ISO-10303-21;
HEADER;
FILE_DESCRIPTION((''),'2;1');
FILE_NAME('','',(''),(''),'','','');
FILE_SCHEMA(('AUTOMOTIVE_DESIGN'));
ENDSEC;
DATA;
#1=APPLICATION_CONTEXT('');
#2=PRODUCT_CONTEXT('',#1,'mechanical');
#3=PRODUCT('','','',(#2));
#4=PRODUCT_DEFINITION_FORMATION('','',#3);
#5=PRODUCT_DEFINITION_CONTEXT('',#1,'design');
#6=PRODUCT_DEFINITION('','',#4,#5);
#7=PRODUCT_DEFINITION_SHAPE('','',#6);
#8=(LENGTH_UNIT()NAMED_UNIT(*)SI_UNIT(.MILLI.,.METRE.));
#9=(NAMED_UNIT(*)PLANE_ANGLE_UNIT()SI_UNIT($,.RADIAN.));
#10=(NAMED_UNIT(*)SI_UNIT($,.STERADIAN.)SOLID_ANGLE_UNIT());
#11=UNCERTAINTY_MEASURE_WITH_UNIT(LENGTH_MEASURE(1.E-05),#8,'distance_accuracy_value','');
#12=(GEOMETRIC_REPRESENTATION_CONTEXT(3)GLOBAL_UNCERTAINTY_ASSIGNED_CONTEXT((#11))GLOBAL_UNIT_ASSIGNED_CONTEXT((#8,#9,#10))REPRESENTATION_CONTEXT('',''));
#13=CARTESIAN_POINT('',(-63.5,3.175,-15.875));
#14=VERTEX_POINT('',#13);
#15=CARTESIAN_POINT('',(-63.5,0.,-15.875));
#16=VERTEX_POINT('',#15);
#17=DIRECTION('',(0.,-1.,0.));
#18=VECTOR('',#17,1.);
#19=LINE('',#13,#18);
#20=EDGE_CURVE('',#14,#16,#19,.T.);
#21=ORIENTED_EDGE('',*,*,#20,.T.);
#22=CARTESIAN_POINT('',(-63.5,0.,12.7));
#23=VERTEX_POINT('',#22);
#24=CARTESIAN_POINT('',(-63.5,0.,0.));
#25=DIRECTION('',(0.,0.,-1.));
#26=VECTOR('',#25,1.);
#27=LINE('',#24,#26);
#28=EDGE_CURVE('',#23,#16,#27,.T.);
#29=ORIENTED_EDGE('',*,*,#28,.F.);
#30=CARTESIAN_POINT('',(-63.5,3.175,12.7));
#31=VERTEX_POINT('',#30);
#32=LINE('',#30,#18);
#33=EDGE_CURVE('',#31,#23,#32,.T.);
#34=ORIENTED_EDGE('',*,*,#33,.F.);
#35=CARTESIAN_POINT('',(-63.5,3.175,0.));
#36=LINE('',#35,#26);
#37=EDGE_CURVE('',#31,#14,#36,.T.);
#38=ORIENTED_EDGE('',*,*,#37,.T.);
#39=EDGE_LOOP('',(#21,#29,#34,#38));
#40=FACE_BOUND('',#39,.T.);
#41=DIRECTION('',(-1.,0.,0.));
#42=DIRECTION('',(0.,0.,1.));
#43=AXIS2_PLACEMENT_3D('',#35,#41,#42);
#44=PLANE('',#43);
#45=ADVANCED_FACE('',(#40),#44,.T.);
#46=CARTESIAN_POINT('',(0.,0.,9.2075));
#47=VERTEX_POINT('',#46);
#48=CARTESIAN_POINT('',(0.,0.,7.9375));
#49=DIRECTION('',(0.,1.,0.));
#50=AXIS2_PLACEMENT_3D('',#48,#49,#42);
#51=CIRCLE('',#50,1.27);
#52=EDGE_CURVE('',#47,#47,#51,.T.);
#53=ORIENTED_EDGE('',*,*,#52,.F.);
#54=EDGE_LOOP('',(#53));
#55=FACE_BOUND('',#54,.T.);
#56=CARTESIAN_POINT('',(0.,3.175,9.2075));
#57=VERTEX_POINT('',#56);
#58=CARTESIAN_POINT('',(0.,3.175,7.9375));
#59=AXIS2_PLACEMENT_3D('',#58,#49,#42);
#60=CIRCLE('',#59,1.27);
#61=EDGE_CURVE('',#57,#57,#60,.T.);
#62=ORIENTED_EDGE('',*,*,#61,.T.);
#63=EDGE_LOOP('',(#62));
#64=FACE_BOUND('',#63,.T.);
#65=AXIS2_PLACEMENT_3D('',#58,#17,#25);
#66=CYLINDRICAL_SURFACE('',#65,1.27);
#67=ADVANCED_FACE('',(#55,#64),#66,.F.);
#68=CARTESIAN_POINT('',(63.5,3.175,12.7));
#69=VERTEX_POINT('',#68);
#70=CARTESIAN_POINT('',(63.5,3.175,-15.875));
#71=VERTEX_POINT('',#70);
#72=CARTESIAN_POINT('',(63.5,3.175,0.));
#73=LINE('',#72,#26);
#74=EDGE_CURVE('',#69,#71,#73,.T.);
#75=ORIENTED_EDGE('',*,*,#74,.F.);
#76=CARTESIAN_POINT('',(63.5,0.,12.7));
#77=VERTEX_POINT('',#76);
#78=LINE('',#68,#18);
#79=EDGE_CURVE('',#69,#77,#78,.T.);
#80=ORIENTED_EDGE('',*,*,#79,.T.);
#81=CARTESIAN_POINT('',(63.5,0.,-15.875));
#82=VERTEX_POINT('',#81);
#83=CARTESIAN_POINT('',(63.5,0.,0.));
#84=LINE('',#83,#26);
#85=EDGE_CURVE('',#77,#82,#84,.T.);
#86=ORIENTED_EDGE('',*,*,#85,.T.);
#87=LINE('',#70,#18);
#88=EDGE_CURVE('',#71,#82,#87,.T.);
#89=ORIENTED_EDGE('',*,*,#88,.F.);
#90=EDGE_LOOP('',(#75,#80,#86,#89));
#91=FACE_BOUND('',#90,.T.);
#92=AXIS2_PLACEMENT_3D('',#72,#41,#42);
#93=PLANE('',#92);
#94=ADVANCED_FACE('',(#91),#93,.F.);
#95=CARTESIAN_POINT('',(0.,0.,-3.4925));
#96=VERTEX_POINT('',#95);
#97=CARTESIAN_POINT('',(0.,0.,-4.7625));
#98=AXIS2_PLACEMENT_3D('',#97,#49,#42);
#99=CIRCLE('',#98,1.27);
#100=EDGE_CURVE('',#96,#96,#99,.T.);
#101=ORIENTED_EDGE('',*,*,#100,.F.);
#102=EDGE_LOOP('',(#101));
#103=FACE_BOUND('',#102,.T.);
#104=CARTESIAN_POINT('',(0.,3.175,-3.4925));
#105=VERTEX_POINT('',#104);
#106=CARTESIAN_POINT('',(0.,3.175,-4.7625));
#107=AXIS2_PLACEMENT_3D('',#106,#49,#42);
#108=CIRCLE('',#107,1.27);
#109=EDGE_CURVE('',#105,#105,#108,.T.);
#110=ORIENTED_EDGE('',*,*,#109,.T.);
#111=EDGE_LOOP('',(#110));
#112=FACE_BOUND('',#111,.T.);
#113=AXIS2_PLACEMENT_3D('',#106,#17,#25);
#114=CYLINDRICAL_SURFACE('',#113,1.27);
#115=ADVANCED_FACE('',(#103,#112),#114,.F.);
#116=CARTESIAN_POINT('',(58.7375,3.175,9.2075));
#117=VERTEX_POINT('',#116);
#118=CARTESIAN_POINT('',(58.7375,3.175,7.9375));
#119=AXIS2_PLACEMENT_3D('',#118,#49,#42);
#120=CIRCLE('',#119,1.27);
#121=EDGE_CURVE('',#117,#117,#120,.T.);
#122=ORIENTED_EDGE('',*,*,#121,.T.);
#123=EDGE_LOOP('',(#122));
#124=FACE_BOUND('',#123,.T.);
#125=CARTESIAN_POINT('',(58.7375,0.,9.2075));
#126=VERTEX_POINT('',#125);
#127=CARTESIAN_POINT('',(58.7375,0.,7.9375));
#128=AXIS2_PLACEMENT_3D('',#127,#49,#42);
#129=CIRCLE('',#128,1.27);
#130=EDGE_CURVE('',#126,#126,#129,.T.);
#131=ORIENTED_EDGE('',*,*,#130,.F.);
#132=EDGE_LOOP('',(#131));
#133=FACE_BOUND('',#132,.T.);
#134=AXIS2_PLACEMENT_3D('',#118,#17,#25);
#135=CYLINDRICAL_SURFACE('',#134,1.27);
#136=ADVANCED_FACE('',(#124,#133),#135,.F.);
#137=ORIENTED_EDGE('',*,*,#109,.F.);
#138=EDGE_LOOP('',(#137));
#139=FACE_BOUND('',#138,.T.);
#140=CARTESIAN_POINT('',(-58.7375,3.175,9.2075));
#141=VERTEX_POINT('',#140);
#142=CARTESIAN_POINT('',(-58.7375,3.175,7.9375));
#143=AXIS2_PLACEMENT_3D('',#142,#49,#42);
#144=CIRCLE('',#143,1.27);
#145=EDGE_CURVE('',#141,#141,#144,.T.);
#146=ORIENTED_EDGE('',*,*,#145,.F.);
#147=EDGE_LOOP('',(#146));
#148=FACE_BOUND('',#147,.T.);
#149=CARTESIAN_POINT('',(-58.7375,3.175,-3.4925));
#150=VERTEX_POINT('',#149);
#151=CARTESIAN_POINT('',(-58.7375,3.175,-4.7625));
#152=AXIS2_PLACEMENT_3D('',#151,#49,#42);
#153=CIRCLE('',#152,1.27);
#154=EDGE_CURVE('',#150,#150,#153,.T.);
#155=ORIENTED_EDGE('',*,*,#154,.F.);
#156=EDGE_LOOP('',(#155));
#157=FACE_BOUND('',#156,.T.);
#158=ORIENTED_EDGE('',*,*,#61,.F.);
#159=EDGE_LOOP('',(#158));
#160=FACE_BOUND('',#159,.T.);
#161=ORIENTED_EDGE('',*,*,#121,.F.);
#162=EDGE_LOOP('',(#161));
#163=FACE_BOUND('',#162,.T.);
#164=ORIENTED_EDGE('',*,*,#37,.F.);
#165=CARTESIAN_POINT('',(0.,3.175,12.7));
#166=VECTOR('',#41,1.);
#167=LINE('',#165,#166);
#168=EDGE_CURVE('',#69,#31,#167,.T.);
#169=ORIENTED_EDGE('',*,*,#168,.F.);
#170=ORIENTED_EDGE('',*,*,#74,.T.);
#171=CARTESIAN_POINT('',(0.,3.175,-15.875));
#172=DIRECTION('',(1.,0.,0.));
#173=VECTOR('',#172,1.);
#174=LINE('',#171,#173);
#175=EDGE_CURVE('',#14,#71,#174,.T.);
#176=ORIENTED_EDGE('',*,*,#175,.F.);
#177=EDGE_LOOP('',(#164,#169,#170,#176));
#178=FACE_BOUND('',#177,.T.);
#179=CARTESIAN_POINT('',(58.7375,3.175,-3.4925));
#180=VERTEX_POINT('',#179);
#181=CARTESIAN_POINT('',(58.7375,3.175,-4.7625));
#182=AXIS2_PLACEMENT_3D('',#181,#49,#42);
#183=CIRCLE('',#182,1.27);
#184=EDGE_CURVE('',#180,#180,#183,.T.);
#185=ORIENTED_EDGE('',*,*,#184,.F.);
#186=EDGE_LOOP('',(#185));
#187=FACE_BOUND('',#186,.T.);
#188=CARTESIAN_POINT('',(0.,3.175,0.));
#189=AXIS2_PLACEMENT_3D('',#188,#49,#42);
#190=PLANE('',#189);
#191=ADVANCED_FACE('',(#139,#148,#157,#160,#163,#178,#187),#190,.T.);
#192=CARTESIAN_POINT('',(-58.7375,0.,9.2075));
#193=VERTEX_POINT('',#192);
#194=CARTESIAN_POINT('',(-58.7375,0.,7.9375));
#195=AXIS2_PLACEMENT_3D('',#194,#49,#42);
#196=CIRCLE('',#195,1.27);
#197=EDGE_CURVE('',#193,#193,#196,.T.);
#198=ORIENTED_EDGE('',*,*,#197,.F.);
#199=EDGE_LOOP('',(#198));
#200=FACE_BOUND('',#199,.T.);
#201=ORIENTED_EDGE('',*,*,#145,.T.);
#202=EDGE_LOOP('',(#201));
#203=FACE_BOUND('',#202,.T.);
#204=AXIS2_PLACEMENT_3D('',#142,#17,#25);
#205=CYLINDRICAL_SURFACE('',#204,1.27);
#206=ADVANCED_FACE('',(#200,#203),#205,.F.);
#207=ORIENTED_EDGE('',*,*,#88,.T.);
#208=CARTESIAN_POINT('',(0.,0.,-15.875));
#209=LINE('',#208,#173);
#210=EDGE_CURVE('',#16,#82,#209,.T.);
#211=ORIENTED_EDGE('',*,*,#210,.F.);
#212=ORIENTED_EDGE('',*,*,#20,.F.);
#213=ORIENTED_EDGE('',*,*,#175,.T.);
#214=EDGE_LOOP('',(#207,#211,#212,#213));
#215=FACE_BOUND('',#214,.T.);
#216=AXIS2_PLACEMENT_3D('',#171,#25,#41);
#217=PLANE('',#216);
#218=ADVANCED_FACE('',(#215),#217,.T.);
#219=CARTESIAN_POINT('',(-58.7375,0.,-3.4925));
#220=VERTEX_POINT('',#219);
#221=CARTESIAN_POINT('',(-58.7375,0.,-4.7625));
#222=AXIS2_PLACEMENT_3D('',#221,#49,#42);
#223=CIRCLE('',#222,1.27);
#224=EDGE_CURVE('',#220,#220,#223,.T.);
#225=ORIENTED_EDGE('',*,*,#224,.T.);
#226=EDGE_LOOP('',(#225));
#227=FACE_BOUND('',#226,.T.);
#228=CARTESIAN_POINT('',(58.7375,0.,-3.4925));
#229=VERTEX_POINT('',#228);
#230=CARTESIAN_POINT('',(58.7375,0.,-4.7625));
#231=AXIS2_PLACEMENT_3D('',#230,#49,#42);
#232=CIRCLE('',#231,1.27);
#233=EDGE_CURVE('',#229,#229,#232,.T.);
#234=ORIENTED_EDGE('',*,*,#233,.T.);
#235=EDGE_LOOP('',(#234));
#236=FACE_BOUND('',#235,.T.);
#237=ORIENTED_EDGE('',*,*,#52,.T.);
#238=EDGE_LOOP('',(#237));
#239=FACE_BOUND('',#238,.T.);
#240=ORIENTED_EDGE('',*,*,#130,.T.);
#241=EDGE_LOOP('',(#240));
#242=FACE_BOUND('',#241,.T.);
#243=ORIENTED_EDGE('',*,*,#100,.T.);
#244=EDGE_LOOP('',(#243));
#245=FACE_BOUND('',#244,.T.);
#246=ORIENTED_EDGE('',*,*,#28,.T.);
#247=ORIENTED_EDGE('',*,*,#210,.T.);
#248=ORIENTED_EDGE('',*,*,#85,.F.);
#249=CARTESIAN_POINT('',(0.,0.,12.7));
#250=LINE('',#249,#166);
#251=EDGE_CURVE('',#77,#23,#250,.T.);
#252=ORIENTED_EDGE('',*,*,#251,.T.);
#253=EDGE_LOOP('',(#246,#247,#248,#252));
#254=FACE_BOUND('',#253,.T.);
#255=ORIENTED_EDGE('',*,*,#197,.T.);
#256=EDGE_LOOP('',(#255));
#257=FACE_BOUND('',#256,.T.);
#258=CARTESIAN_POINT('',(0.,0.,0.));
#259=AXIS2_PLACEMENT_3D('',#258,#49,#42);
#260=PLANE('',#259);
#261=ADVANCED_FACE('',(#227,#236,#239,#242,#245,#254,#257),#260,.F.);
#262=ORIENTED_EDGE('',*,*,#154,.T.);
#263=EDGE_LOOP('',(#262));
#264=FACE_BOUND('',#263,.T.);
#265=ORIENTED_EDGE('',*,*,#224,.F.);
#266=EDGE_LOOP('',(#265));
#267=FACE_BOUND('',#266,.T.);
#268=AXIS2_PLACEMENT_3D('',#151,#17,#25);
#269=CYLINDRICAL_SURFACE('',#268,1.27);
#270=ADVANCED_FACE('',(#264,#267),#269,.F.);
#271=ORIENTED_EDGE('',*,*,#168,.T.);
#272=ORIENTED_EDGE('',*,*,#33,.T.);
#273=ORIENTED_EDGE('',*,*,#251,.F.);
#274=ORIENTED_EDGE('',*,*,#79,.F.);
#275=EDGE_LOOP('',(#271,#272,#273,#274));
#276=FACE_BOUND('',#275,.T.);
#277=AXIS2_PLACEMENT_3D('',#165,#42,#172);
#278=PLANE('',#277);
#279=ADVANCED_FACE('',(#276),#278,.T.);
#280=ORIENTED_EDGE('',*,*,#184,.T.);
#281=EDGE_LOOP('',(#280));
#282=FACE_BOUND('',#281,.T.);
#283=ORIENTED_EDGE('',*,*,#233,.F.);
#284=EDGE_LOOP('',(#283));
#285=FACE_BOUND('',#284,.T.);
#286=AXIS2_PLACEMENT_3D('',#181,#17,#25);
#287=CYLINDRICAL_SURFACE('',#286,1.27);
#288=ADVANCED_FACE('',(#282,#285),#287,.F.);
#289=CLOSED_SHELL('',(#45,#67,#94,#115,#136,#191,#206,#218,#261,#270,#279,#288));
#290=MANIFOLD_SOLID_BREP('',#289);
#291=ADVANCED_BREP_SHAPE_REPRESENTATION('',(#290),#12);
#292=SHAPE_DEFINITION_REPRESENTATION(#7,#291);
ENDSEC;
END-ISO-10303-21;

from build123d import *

# Parameters (mm, degrees)
SKETCH1_W           = 127
SKETCH1_H           = 25.4
SKETCH1_R           = 1.27
SKETCH1_H_2         = 3.175
BOSS_EXTRUDE1_DEPTH = 3.175


with BuildPart() as part:
    # Sketch1 → Boss-Extrude1 (new body)
    with BuildSketch(Plane(origin=(0, 0, 0), x_dir=(1, 0, 0), z_dir=(0, 1, 0))):
        Rectangle(SKETCH1_W, SKETCH1_H)
        with Locations((58.7375, -7.9375)):
            Circle(SKETCH1_R, mode=Mode.SUBTRACT)
        with Locations((0, -7.9375)):
            Circle(SKETCH1_R, mode=Mode.SUBTRACT)
        with Locations((-58.7375, -7.9375)):
            Circle(SKETCH1_R, mode=Mode.SUBTRACT)
        with Locations((58.7375, 4.7625)):
            Circle(SKETCH1_R, mode=Mode.SUBTRACT)
        with Locations((0, 4.7625)):
            Circle(SKETCH1_R, mode=Mode.SUBTRACT)
        with Locations((-58.7375, 4.7625)):
            Circle(SKETCH1_R, mode=Mode.SUBTRACT)
        with Locations((0, 14.2875)):
            Rectangle(SKETCH1_W, SKETCH1_H_2)
    extrude(amount=BOSS_EXTRUDE1_DEPTH)


solid = part.part
